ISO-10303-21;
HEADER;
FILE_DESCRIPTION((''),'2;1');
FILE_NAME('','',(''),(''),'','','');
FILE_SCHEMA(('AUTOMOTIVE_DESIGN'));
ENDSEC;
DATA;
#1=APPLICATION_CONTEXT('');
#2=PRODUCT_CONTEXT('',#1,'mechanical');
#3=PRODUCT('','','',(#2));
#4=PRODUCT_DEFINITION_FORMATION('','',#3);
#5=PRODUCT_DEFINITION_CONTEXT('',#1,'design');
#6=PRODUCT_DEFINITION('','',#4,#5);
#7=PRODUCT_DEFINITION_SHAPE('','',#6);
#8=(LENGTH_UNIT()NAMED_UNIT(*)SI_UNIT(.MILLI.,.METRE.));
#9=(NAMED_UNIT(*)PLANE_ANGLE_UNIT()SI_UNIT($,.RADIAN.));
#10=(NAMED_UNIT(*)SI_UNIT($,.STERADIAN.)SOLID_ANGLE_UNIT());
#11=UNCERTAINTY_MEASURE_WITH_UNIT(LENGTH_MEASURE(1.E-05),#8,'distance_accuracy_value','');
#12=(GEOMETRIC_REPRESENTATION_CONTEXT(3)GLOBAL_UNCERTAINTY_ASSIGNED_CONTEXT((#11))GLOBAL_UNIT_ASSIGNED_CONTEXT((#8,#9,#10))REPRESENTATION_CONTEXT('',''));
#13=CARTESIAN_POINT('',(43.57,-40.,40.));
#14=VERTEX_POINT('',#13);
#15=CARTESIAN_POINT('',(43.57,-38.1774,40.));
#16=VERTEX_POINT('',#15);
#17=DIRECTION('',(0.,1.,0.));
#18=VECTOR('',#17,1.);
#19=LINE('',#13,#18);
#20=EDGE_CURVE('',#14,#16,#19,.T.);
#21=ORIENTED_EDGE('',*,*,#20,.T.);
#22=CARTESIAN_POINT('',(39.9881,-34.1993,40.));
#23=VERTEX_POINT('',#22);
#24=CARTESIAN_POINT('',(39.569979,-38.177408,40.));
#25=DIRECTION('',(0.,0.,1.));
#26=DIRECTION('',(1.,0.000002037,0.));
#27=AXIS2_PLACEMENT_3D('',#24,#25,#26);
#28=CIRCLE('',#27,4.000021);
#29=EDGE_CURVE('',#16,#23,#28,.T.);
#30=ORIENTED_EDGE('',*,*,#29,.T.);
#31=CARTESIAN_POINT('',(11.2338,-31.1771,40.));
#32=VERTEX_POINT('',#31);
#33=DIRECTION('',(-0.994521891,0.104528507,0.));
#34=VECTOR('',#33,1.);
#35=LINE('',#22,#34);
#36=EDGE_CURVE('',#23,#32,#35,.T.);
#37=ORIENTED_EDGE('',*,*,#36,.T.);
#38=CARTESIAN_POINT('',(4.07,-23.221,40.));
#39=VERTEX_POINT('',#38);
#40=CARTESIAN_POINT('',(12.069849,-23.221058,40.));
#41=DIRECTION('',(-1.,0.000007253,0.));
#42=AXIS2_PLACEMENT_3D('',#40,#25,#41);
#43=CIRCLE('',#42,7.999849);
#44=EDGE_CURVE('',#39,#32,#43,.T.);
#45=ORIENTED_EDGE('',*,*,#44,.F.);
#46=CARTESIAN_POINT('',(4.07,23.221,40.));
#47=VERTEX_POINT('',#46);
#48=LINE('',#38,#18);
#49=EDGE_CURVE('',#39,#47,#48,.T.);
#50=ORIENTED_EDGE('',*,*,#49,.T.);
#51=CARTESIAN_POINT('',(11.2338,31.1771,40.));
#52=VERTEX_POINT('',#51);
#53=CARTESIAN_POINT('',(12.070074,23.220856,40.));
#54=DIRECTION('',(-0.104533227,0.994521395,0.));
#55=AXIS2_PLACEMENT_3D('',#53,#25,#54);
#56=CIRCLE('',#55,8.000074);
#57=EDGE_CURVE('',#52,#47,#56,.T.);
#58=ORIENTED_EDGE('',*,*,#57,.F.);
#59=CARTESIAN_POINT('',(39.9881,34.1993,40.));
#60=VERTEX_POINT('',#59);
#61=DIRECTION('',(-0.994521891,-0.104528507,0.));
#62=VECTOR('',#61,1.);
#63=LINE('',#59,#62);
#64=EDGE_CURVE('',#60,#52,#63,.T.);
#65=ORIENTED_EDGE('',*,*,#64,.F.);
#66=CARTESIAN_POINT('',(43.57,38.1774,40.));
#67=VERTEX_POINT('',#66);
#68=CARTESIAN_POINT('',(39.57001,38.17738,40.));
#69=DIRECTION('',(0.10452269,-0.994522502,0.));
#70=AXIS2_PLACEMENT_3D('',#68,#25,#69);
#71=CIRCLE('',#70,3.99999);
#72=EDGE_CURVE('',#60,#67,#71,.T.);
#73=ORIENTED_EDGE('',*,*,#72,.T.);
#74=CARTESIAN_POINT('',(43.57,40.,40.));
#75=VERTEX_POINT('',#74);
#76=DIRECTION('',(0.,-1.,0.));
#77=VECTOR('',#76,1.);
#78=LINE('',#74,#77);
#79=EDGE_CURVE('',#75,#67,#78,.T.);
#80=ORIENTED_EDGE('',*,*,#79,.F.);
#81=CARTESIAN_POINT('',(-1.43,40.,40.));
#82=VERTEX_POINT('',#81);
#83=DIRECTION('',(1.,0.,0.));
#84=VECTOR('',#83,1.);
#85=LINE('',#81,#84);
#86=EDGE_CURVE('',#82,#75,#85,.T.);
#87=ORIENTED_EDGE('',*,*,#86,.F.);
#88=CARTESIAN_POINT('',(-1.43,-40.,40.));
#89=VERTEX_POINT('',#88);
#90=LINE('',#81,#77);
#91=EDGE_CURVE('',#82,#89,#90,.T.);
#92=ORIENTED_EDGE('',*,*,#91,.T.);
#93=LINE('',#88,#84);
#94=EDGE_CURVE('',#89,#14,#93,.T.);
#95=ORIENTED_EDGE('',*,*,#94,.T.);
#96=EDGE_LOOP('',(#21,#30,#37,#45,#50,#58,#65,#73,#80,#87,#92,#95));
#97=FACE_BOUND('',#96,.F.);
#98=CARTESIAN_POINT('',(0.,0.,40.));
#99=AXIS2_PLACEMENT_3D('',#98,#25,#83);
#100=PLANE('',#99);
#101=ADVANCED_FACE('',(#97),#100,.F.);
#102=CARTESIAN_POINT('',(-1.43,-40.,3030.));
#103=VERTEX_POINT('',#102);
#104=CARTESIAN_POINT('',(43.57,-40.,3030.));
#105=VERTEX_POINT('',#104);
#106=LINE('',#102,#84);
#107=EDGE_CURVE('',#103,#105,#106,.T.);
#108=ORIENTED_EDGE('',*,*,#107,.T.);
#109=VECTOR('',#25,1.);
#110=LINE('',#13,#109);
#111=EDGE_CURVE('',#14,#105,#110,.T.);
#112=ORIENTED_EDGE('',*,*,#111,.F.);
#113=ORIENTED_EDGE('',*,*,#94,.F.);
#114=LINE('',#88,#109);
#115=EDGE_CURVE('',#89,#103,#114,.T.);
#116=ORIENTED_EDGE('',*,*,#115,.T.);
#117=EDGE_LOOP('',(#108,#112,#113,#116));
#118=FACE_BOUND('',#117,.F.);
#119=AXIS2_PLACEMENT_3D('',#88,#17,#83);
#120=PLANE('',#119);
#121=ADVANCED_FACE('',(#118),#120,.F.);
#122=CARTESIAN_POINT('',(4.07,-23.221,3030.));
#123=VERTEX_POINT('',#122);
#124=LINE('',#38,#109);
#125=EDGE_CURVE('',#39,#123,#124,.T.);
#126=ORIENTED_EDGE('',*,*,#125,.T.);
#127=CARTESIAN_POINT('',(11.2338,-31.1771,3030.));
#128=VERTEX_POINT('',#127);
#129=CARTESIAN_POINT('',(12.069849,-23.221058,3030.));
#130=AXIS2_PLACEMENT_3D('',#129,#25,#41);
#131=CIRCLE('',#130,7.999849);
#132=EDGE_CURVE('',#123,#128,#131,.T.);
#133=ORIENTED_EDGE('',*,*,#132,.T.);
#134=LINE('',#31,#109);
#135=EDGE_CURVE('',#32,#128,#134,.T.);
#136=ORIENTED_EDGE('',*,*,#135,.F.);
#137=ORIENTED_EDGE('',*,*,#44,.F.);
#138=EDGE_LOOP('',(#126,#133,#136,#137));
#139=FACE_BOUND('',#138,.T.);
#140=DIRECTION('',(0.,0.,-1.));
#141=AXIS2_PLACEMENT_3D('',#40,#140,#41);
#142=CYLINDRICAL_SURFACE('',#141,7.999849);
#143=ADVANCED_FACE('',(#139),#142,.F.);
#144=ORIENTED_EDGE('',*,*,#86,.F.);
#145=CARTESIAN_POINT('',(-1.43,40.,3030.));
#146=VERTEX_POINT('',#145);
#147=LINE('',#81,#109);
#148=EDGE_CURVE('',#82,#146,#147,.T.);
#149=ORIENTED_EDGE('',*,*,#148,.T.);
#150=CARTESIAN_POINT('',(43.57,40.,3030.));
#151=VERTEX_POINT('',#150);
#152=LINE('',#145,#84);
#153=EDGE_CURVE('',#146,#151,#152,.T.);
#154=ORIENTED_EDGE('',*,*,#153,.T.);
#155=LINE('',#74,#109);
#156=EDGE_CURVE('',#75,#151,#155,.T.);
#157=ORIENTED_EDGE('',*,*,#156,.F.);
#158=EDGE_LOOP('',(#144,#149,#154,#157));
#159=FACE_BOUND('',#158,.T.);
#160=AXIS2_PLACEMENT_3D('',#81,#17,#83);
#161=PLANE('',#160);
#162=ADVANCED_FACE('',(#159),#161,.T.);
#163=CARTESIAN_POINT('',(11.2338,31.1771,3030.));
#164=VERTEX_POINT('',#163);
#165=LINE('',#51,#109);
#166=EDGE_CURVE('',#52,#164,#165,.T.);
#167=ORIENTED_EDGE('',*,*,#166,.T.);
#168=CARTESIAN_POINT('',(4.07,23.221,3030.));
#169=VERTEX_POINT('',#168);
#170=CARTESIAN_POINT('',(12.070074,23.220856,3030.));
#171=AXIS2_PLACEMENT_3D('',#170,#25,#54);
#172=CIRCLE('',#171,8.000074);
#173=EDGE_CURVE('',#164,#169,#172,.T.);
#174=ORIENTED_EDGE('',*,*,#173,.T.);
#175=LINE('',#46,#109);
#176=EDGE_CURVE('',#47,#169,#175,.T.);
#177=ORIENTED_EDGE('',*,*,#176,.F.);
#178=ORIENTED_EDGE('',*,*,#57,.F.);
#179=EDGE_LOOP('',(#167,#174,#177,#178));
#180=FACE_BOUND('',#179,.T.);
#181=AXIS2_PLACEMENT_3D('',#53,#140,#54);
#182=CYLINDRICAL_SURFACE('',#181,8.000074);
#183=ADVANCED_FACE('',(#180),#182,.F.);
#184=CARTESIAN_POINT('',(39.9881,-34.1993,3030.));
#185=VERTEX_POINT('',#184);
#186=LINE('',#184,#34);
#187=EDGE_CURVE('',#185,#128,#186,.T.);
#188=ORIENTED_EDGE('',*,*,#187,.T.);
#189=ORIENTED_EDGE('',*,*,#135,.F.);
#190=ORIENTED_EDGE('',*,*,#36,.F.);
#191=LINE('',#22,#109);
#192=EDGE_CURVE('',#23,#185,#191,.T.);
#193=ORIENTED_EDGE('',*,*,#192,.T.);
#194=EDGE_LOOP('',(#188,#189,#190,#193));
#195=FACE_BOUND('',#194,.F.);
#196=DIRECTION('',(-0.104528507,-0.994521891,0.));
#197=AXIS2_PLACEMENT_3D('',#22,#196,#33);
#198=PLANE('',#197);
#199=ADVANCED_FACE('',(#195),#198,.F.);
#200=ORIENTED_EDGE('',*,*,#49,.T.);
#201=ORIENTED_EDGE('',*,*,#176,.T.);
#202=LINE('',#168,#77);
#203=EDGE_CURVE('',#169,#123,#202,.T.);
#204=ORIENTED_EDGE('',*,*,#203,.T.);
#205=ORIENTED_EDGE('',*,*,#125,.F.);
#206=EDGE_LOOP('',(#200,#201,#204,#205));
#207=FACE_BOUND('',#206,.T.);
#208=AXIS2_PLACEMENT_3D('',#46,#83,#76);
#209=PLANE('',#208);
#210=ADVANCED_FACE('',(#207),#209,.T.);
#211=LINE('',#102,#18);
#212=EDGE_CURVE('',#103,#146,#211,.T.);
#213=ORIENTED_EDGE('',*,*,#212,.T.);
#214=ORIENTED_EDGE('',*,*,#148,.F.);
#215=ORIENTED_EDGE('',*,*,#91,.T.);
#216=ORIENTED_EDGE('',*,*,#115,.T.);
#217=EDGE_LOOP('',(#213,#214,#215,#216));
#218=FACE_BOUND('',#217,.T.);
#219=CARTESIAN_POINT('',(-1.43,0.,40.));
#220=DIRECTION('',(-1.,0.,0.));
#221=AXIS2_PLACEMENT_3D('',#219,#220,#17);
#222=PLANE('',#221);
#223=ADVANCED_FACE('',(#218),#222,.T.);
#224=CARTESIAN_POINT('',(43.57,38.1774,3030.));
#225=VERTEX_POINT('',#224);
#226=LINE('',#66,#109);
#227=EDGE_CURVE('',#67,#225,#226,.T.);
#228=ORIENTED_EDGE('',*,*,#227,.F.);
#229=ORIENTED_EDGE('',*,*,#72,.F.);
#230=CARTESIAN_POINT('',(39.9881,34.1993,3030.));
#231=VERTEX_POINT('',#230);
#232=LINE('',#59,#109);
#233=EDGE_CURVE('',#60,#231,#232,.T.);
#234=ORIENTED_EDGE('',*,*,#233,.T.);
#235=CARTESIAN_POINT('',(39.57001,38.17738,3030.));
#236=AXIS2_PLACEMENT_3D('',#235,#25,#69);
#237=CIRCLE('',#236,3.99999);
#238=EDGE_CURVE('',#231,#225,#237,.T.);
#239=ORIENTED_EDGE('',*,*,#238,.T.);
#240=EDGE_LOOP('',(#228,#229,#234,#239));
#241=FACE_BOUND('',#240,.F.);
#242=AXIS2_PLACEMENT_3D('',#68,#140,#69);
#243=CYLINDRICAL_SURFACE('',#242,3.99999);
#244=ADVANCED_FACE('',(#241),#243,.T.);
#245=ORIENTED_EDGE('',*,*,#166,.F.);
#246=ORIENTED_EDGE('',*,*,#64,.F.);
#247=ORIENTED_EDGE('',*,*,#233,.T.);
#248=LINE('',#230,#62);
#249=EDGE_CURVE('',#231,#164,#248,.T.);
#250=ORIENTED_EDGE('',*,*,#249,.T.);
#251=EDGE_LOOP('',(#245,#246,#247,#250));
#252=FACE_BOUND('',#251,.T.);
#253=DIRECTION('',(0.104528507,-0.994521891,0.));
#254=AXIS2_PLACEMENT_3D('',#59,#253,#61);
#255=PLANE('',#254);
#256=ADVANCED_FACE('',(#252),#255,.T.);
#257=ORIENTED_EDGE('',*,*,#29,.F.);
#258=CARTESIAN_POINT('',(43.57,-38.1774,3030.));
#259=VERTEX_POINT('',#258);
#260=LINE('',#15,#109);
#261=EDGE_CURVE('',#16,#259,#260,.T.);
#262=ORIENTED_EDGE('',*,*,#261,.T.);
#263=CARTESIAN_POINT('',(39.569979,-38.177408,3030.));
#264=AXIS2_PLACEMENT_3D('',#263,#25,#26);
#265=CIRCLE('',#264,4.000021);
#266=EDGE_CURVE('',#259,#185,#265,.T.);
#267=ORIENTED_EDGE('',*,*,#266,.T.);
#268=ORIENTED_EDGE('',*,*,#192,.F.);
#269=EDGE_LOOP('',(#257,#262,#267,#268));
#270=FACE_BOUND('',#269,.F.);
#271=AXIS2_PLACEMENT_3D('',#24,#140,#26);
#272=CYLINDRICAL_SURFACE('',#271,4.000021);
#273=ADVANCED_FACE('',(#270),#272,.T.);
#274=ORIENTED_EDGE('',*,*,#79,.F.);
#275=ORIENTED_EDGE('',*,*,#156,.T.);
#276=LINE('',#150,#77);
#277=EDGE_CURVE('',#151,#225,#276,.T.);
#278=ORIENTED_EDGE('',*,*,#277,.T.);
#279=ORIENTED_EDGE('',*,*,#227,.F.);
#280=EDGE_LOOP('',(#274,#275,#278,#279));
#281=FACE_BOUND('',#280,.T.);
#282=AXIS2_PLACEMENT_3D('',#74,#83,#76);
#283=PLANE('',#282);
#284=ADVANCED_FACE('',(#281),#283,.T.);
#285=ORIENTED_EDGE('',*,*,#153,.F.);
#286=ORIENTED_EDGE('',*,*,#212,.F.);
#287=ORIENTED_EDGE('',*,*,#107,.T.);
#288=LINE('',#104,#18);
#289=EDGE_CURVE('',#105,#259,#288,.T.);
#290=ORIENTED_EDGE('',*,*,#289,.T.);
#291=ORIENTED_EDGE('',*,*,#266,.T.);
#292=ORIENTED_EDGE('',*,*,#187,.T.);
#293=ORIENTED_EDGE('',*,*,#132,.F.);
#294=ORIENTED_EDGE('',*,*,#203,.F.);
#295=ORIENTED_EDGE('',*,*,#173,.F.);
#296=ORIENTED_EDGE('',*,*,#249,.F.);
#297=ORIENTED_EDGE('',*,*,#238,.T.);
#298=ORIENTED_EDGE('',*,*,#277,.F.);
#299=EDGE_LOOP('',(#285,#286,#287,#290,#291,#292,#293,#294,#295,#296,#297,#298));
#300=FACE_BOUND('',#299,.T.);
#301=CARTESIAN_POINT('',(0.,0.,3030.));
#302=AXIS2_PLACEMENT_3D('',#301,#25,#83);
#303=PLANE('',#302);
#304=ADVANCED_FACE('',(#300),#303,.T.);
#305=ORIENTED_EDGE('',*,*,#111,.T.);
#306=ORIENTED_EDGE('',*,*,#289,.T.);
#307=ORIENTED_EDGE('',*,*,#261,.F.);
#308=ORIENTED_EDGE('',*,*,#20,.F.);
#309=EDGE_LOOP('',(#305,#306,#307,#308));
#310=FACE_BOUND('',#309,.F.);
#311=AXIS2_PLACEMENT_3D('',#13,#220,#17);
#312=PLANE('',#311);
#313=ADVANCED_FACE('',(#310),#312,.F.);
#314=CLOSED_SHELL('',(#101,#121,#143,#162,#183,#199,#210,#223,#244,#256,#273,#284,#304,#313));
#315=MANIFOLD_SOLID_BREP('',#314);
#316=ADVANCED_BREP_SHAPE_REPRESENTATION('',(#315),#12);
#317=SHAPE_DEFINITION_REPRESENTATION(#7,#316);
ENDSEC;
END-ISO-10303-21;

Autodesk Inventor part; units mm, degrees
ref_plane "Начальная плоскость" through (0, 0, 40) normal (0, 0, 1) x (1, 0, 0)
ref_plane "Конечная плоскость" through (0, 0, 3030) normal (0, 0, 1) x (1, 0, 0)
sketch "Эскиз" plane through (0, 0, 0) normal (0, 0, 1) x (1, 0, 0)
  line L0 (-1.43, 0) -> (-1.43, 40)
  line L1 (-1.43, 40) -> (43.57, 40)
  line L2 (43.57, 40) -> (43.57, 38.1774)
  line L3 (39.9881, 34.1993) -> (11.2338, 31.1771)
  line L4 (4.07, 23.221) -> (4.07, 0)
  line L5 (4.07, 0) -> (-1.43, 0) construction
  line L6 (23.82, 40) -> (23.82, 32.5) construction
  line L7 (43.57, 34.5758) -> (43.57, 32.5) construction
  line L8 (43.57, 32.5) -> (23.82, 32.5) construction
  line L9 (0, 15) -> (0, -27) construction
  line L10 (-5.539, 0) -> (16.0067, 0) construction
  line L11 (-1.43, 0) -> (-1.43, -40)
  line L12 (-1.43, -40) -> (43.57, -40)
  line L13 (43.57, -40) -> (43.57, -38.1774)
  line L14 (39.9881, -34.1993) -> (11.2338, -31.1771)
  line L15 (4.07, -23.221) -> (4.07, 0)
  arc A0 (11.2338, 31.1771) -> (4.07, 23.221) centre (12.07, 23.221) ccw
  arc A1 (4.07, -23.221) -> (11.2338, -31.1771) centre (12.07, -23.221) ccw
  arc A2 (39.9881, 34.1993) -> (43.57, 38.1774) centre (39.57, 38.1774) ccw
  arc A3 (43.57, -38.1774) -> (39.9881, -34.1993) centre (39.57, -38.1774) ccw
  line L16 (0, 56) -> (0, -56) construction
  line L17 (-15.5135, 0) -> (54.308, 0) construction
  point P0 (4.07, 30.4242)
  point P1 (43.57, -34.5758)
  point P2 (4.07, -30.4242)
  point P3 (23.82, -40)
  point P4 (23.82, -32.5)
  dimension "d0" = 5.5
  dimension "d1" = 40
  dimension "d2" = 45
  dimension "d3" = 7.5
  dimension "d4" = 19.75
  dimension "d5" = 2.0758
  dimension "d23" = 8
  dimension "d24" = 4
  dimension "d25" = 1.43
extrude "Тело" add sketch "Эскиз" along normal up to surface (2990 mm away) from surface at 40
sketch "Sketch3" plane through (0, 0, 0) normal (0, 0, 1) x (1, 0, 0)
  line L0 (0, 0) -> (10, 0)
ref_plane "Work Plane3" through (0, 0, 0) normal (0, -1, 0) x (1, 0, 0)
sketch "Sketch4" plane through (0, 0, 0) normal (0, -1, 0) x (1, 0, 0)
  line L0 (-2, 40) -> (12, 40)
  line L1 (-2, 3030) -> (12, 3030)
  dimension "d29" = 2990
ref_plane "РабПлоскость4" through (-1.43, -500, 3030) normal (0, 0, 1) x (1, 0, 0)
split "Разделение1" plane through (-1.43, -500, 3030) removes the side toward (0, 0, 1)
ref_plane "РабПлоскость5" through (-1.43, 1220, 40) normal (0, 0, -1) x (-1, 0, 0)
split "Разделение2" plane through (-1.43, 1220, 40) removes the side toward (0, 0, -1)
equation "\"d0\" = G_T"
equation "\"d1\" = 0.5 * G_H"
equation "\"d2\" = G_W"
equation "\"d3\" = G_T1"
equation "\"d4\" = G_C"
equation "\"d23\" = G_IR"
equation "\"d24\" = G_ER"
equation "\"d25\" = ex"
equation "\"d6\" = G_L"
equation "\"G_W\" = 45"
equation "\"G_T\" = 5.5"
equation "\"G_T1\" = 7.5"
equation "\"G_NG\" = 0.105104"
equation "\"G_ER\" = 4"
equation "\"G_IR\" = 8"
equation "\"G_C\" = 19.75"
equation "\"G_L\" = d29"
equation "\"ex\" = 1.43"
equation "\"G_H\" = 80"
properties part number "ISO 657/11 - CH 80 x 8 - 2990" material "Сталь, мягкая"
